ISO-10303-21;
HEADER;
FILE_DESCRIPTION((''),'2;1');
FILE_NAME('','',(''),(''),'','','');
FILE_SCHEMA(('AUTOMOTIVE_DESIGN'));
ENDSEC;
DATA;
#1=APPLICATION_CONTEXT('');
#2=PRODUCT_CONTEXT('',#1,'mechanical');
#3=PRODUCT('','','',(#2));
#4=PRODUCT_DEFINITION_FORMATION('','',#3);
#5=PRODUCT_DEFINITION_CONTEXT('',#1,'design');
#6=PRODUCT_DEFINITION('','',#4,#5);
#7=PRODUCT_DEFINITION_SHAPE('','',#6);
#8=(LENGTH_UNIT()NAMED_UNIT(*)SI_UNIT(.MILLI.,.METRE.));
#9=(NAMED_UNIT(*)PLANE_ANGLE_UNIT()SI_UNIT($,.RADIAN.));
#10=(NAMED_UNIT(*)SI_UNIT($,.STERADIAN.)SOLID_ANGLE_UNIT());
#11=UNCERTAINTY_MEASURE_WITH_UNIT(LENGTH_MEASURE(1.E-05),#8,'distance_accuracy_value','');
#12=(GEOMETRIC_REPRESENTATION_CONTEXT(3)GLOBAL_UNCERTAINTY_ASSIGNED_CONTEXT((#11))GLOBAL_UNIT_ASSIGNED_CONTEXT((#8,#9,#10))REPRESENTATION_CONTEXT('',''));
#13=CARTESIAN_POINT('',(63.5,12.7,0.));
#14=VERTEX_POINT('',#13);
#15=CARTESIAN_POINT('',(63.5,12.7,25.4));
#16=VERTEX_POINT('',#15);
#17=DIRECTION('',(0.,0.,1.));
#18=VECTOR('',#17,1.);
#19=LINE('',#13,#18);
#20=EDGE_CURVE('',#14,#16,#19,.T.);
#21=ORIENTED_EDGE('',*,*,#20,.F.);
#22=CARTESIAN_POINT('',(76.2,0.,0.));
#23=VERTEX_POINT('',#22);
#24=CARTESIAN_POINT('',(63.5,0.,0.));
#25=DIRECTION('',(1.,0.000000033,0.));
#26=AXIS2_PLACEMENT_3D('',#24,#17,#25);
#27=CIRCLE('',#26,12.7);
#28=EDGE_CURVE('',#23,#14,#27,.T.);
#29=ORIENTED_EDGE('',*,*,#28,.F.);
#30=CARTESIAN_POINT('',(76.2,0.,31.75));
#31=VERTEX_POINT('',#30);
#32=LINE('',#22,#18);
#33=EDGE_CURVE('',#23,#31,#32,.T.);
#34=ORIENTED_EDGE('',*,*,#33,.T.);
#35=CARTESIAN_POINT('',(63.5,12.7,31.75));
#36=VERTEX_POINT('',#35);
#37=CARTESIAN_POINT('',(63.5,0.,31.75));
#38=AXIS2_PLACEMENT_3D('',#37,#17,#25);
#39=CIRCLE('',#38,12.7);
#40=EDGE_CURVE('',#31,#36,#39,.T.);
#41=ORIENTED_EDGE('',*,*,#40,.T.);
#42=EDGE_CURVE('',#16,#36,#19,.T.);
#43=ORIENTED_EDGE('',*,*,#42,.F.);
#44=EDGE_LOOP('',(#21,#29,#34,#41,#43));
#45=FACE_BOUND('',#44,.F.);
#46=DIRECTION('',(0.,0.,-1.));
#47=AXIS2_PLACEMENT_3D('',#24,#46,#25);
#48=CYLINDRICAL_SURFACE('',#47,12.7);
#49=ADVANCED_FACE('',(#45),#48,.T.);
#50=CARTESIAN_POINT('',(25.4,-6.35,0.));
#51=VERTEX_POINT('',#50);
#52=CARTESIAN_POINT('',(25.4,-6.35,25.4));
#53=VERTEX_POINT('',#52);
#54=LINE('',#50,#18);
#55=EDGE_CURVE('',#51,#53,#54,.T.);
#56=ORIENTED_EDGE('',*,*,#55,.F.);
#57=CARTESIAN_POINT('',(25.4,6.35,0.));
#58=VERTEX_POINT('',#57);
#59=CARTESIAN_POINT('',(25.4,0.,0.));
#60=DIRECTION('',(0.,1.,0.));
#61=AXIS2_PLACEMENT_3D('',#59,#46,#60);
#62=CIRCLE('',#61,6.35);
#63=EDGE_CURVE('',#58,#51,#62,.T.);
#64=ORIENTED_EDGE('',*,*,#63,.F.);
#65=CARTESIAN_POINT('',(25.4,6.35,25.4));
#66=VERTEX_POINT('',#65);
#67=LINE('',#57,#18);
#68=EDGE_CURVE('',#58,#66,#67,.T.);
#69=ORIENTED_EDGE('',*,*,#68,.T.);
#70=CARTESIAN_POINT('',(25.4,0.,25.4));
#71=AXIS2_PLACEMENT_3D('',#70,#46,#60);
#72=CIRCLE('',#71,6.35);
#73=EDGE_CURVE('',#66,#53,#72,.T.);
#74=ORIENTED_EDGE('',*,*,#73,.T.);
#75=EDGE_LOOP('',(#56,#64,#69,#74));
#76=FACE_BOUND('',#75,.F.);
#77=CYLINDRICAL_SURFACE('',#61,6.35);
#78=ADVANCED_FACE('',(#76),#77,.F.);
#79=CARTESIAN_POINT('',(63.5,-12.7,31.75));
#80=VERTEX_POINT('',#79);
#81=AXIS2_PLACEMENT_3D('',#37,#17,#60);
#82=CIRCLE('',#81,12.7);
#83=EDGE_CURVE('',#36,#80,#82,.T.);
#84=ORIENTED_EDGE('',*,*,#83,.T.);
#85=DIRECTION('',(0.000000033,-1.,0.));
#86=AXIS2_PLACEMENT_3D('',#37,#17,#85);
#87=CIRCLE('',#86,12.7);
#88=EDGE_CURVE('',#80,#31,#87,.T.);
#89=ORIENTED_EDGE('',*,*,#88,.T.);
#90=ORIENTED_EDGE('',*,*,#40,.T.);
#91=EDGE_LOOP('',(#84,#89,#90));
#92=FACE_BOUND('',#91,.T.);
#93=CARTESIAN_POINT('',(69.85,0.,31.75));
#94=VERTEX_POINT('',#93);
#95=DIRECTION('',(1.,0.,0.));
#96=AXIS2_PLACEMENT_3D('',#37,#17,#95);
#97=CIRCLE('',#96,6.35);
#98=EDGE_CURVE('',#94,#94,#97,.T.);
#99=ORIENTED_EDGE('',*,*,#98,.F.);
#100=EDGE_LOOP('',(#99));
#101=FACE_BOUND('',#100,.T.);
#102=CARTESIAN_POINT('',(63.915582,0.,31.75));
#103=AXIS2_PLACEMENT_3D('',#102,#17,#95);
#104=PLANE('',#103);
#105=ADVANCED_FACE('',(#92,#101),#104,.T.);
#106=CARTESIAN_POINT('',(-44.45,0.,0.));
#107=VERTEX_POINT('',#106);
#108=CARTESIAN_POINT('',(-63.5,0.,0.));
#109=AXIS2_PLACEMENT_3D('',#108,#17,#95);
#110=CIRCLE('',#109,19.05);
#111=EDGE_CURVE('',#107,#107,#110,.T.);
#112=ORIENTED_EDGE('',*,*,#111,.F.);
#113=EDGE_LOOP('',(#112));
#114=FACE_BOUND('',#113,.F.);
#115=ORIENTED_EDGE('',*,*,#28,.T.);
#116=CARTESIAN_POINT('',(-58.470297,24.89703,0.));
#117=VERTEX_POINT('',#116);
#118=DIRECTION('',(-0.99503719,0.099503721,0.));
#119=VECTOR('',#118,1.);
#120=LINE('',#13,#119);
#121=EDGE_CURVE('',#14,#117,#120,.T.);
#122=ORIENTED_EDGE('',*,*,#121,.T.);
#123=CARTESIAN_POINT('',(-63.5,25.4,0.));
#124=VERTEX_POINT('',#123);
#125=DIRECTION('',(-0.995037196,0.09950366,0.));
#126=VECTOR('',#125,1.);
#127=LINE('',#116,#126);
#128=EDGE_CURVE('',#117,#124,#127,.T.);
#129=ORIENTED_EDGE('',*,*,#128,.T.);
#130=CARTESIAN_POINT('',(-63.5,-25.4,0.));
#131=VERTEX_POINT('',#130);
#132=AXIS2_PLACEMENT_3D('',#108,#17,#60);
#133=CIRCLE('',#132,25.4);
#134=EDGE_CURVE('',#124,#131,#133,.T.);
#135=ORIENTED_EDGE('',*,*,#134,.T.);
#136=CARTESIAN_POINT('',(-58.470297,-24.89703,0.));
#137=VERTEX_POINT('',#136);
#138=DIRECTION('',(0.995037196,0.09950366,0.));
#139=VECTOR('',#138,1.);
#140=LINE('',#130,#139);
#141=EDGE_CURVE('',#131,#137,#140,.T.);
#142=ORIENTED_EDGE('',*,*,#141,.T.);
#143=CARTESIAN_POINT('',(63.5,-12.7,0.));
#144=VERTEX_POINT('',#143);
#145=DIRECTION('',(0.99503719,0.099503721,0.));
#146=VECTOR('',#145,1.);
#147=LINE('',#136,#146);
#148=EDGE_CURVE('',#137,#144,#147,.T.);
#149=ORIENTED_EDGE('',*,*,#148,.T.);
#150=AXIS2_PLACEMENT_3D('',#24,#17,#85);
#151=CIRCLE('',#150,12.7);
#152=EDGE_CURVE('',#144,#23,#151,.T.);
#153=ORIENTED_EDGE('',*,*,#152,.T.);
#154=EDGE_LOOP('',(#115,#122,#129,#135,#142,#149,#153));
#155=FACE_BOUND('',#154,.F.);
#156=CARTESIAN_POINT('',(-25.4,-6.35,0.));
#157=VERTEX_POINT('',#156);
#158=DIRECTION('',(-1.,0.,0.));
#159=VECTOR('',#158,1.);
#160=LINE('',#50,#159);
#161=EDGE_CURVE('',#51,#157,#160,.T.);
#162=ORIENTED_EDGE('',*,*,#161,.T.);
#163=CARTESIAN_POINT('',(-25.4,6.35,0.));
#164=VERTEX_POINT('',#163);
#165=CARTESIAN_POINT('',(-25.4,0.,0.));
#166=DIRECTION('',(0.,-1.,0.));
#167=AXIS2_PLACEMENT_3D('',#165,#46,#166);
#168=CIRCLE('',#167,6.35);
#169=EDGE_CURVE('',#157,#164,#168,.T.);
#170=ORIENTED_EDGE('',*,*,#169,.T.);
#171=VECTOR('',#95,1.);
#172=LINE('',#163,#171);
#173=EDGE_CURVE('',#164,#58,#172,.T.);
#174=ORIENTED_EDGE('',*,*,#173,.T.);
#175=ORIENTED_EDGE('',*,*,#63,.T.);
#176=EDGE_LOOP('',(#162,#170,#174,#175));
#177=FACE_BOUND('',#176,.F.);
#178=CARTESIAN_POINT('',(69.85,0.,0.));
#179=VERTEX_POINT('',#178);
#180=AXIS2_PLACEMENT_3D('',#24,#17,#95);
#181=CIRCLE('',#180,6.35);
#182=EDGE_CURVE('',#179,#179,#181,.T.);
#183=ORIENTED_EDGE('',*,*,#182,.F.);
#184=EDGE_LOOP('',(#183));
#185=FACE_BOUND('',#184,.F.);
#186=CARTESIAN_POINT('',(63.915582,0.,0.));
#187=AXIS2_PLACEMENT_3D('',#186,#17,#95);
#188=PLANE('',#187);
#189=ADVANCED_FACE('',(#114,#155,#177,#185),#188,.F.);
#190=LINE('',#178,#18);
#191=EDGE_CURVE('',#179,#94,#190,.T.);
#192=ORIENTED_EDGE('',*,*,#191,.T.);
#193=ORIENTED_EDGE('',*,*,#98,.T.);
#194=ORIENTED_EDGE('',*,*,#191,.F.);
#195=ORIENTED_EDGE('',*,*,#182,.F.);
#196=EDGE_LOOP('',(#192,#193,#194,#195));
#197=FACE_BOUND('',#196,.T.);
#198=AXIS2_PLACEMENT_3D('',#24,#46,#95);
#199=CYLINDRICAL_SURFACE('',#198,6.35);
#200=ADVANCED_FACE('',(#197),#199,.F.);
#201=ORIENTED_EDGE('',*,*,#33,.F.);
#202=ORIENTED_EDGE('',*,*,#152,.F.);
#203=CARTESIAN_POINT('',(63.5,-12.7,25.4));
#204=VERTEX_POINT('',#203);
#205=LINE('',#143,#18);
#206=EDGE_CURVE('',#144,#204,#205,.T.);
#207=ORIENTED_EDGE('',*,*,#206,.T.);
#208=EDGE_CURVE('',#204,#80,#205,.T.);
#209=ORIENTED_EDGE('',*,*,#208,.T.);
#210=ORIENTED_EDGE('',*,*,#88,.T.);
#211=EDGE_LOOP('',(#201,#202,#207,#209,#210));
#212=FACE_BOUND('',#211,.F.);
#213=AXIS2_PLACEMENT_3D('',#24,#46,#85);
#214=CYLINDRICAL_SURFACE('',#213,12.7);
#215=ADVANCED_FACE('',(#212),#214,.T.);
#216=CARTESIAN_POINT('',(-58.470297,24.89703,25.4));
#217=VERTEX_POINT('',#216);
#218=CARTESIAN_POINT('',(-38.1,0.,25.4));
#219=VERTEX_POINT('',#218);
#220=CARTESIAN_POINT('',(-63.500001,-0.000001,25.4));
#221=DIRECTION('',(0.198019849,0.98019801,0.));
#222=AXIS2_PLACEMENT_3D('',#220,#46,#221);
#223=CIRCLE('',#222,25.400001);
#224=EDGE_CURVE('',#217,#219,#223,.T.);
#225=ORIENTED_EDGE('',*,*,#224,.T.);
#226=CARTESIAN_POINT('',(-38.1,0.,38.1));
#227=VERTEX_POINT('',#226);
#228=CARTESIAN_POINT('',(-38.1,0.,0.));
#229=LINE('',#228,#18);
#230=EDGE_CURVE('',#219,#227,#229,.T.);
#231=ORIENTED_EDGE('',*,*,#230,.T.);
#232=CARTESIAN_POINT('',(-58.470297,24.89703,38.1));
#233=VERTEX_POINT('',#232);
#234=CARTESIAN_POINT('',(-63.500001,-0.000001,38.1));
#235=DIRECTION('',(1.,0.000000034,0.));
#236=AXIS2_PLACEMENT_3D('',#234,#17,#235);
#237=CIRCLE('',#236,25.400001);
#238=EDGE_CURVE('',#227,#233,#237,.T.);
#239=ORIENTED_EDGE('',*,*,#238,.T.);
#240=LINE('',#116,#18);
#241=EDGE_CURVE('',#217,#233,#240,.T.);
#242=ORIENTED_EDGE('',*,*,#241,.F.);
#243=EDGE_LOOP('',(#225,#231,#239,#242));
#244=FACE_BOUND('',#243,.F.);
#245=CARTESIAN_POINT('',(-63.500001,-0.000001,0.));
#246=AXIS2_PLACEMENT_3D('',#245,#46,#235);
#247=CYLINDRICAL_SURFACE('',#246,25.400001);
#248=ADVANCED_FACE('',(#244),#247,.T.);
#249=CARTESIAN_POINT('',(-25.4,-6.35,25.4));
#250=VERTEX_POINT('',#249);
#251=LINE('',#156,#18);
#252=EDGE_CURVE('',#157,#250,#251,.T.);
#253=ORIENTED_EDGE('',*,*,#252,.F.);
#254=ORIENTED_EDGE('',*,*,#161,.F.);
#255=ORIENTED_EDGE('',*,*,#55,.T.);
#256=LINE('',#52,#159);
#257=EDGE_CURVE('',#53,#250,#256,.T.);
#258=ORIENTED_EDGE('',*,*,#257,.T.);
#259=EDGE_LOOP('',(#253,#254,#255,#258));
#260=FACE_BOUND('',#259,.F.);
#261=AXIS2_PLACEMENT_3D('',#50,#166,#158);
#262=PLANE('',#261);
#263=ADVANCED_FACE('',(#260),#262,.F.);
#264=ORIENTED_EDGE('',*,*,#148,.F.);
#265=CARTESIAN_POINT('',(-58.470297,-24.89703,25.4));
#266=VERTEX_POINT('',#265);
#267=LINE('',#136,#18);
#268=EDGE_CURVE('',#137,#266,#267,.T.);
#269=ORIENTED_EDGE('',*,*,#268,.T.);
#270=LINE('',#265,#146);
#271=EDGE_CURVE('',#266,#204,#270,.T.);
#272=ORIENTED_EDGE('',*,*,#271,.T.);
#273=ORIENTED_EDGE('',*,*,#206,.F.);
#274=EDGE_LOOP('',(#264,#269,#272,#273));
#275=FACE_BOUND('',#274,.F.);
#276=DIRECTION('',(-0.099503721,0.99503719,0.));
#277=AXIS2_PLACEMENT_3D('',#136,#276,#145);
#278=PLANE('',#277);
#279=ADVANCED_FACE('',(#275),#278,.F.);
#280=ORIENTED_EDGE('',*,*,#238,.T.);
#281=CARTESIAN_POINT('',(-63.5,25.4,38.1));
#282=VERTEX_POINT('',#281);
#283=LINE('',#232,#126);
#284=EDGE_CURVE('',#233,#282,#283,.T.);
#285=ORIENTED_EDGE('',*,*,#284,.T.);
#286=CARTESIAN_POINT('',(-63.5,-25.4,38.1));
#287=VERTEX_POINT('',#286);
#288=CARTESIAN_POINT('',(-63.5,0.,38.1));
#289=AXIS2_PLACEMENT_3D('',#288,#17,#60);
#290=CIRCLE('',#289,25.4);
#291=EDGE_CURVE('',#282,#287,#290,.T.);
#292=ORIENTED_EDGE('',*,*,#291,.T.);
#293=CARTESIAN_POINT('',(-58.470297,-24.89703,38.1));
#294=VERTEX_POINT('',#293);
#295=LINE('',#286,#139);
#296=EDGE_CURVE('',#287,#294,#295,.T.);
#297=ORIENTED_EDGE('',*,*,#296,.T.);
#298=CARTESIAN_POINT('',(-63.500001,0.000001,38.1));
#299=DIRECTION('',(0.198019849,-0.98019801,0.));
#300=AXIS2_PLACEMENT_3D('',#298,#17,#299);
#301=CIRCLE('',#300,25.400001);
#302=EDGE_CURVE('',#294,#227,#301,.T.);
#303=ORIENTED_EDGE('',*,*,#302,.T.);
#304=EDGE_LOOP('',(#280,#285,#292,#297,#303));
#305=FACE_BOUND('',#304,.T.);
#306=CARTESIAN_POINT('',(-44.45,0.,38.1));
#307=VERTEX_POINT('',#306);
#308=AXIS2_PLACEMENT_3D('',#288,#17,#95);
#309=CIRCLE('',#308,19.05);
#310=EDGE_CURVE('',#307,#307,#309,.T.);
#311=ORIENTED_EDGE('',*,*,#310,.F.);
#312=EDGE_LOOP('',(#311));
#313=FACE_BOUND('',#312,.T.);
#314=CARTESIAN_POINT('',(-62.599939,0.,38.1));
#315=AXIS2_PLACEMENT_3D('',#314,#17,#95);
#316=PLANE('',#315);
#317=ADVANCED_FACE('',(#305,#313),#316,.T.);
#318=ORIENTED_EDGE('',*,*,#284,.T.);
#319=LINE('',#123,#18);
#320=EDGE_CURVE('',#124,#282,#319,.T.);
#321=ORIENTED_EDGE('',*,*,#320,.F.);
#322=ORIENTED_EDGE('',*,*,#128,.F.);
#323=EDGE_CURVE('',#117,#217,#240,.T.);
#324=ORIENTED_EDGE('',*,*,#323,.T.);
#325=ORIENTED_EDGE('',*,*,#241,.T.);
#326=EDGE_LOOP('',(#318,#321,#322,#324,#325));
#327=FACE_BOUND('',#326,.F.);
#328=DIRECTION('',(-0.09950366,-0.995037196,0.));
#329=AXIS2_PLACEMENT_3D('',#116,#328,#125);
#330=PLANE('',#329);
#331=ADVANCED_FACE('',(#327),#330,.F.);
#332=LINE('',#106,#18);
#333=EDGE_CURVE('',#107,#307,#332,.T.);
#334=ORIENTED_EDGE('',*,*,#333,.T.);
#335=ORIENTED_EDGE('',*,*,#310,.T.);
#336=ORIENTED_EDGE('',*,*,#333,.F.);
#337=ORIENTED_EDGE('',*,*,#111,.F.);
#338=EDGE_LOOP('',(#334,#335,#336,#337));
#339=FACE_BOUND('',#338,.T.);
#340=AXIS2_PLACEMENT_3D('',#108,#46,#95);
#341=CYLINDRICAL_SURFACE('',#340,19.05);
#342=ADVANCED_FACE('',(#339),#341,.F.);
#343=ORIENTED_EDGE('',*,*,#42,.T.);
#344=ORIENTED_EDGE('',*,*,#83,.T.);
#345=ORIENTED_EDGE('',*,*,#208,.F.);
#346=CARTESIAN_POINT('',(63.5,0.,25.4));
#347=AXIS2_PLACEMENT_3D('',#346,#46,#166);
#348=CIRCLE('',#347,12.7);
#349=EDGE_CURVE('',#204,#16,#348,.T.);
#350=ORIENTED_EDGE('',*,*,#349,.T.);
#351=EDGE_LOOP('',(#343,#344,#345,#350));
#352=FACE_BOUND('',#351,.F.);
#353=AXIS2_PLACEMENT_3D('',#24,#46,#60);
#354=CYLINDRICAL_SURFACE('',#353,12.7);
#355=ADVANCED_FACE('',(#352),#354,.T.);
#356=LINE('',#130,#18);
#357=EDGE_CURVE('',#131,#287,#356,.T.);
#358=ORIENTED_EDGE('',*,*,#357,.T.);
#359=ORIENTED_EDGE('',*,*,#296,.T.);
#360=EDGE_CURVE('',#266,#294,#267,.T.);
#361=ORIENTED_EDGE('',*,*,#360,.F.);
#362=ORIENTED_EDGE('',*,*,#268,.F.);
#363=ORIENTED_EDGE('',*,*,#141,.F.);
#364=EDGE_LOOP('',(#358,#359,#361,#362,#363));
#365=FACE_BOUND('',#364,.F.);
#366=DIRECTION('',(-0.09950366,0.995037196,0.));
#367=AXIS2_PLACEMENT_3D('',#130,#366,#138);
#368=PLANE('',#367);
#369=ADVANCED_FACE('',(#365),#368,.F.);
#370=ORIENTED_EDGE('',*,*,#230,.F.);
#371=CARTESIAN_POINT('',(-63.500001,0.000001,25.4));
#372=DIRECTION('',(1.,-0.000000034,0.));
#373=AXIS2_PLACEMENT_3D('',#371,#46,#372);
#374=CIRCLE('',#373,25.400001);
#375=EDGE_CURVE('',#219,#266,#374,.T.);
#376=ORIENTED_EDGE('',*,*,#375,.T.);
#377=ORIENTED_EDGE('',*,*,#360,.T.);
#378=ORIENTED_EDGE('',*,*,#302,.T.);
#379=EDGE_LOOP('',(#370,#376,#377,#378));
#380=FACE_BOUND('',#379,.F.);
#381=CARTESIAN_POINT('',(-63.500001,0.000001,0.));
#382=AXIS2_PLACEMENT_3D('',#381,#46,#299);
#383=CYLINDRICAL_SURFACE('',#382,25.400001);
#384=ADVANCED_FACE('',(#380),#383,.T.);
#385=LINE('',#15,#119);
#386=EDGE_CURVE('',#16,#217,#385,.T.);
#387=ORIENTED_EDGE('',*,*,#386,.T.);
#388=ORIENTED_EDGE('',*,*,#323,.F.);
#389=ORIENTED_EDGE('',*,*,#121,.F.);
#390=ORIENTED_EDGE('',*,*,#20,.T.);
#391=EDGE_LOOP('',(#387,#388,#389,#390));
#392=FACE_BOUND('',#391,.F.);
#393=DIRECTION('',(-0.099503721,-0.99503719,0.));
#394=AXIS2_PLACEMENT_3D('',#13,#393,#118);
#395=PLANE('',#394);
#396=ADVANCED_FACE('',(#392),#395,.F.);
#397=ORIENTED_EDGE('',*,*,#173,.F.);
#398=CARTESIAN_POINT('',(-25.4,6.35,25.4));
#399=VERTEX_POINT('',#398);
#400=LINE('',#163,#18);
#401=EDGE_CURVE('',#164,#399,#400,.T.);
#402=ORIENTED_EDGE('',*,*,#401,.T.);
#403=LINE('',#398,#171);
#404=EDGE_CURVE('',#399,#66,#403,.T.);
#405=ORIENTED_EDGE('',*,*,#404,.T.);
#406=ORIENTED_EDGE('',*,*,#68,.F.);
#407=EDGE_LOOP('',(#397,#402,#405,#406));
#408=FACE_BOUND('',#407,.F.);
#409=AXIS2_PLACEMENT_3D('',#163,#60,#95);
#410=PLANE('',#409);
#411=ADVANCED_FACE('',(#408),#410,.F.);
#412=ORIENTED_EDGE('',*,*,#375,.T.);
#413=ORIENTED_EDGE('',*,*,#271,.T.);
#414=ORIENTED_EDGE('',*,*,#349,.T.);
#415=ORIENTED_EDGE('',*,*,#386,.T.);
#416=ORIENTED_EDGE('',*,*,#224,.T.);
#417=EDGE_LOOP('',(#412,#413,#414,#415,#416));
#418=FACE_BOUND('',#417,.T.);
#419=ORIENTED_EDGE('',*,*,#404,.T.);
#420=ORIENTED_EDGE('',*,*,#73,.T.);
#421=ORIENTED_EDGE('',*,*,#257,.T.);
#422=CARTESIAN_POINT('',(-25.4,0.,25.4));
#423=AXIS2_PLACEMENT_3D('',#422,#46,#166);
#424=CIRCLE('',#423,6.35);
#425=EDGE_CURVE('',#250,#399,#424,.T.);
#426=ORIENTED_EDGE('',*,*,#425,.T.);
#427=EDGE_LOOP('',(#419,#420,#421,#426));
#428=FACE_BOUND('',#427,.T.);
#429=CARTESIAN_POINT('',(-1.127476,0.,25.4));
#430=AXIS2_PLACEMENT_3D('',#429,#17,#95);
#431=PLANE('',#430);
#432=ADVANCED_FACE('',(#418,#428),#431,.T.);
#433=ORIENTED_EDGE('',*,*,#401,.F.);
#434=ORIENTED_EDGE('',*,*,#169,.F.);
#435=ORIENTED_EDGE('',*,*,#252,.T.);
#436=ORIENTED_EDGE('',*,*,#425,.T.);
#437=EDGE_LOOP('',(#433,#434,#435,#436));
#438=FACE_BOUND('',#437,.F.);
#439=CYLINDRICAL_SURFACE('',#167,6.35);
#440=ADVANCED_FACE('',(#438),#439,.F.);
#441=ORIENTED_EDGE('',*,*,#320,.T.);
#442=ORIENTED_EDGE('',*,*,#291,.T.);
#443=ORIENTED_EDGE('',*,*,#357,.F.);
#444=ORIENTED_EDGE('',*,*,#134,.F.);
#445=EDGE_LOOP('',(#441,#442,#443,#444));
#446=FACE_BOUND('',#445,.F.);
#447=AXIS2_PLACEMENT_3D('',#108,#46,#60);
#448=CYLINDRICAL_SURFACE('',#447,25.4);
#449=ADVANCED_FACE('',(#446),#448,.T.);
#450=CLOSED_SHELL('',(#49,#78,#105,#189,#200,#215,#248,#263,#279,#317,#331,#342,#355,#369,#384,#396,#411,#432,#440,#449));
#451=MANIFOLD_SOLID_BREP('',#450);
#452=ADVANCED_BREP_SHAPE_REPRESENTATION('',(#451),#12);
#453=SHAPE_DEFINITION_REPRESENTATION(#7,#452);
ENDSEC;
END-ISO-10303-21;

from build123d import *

# Parameters (mm, degrees)
F0_R     = 19.05
F1_DEPTH = 38.1
F2_DEPTH = 25.4
F0_R_2   = 6.35
F3_DEPTH = 31.75


with BuildPart() as f1:
    # F0 (on Top) → F1 (new body)
    with BuildSketch(Plane.XY):
        with BuildLine():
            Line((-58.470297, 24.89703), (-63.5, 25.4))
            ThreePointArc((-63.5, 25.4), (-88.9, 0), (-63.5, -25.4))
            Line((-63.5, -25.4), (-58.470297, -24.89703))
            ThreePointArc((-58.470297, -24.89703), (-43.841485, -16.08424), (-38.1, 0))
            ThreePointArc((-38.1, 0), (-43.841485, 16.08424), (-58.470297, 24.89703))
        make_face()
        with Locations((-63.5, 0)):
            Circle(F0_R, mode=Mode.SUBTRACT)
    extrude(amount=F1_DEPTH)

    # F0 (on Top) → F2 (join)
    with BuildSketch(Plane.XY):
        with BuildLine():
            Line((63.5, 12.7), (-58.470297, 24.89703))
            ThreePointArc((-58.470297, 24.89703), (-43.841485, 16.08424), (-38.1, 0))
            ThreePointArc((-38.1, 0), (-43.841485, -16.08424), (-58.470297, -24.89703))
            Line((-58.470297, -24.89703), (63.5, -12.7))
            ThreePointArc((63.5, -12.7), (50.8, 0), (63.5, 12.7))
        make_face()
        with BuildLine():
            ThreePointArc((-25.4, -6.35), (-31.75, 0), (-25.4, 6.35))
            Line((-25.4, 6.35), (25.4, 6.35))
            ThreePointArc((25.4, 6.35), (31.75, 0), (25.4, -6.35))
            Line((25.4, -6.35), (-25.4, -6.35))
        make_face(mode=Mode.SUBTRACT)
    extrude(amount=F2_DEPTH)

    # F0 (on Top) → F3 (join)
    with BuildSketch(Plane.XY):
        with BuildLine():
            ThreePointArc((76.2, 0), (72.480256, 8.980256), (63.5, 12.7))
            ThreePointArc((63.5, 12.7), (50.8, 0), (63.5, -12.7))
            ThreePointArc((63.5, -12.7), (72.480256, -8.980256), (76.2, 0))
        make_face()
        with Locations((63.5, 0)):
            Circle(F0_R_2, mode=Mode.SUBTRACT)
    extrude(amount=F3_DEPTH)


solid = f1.part
